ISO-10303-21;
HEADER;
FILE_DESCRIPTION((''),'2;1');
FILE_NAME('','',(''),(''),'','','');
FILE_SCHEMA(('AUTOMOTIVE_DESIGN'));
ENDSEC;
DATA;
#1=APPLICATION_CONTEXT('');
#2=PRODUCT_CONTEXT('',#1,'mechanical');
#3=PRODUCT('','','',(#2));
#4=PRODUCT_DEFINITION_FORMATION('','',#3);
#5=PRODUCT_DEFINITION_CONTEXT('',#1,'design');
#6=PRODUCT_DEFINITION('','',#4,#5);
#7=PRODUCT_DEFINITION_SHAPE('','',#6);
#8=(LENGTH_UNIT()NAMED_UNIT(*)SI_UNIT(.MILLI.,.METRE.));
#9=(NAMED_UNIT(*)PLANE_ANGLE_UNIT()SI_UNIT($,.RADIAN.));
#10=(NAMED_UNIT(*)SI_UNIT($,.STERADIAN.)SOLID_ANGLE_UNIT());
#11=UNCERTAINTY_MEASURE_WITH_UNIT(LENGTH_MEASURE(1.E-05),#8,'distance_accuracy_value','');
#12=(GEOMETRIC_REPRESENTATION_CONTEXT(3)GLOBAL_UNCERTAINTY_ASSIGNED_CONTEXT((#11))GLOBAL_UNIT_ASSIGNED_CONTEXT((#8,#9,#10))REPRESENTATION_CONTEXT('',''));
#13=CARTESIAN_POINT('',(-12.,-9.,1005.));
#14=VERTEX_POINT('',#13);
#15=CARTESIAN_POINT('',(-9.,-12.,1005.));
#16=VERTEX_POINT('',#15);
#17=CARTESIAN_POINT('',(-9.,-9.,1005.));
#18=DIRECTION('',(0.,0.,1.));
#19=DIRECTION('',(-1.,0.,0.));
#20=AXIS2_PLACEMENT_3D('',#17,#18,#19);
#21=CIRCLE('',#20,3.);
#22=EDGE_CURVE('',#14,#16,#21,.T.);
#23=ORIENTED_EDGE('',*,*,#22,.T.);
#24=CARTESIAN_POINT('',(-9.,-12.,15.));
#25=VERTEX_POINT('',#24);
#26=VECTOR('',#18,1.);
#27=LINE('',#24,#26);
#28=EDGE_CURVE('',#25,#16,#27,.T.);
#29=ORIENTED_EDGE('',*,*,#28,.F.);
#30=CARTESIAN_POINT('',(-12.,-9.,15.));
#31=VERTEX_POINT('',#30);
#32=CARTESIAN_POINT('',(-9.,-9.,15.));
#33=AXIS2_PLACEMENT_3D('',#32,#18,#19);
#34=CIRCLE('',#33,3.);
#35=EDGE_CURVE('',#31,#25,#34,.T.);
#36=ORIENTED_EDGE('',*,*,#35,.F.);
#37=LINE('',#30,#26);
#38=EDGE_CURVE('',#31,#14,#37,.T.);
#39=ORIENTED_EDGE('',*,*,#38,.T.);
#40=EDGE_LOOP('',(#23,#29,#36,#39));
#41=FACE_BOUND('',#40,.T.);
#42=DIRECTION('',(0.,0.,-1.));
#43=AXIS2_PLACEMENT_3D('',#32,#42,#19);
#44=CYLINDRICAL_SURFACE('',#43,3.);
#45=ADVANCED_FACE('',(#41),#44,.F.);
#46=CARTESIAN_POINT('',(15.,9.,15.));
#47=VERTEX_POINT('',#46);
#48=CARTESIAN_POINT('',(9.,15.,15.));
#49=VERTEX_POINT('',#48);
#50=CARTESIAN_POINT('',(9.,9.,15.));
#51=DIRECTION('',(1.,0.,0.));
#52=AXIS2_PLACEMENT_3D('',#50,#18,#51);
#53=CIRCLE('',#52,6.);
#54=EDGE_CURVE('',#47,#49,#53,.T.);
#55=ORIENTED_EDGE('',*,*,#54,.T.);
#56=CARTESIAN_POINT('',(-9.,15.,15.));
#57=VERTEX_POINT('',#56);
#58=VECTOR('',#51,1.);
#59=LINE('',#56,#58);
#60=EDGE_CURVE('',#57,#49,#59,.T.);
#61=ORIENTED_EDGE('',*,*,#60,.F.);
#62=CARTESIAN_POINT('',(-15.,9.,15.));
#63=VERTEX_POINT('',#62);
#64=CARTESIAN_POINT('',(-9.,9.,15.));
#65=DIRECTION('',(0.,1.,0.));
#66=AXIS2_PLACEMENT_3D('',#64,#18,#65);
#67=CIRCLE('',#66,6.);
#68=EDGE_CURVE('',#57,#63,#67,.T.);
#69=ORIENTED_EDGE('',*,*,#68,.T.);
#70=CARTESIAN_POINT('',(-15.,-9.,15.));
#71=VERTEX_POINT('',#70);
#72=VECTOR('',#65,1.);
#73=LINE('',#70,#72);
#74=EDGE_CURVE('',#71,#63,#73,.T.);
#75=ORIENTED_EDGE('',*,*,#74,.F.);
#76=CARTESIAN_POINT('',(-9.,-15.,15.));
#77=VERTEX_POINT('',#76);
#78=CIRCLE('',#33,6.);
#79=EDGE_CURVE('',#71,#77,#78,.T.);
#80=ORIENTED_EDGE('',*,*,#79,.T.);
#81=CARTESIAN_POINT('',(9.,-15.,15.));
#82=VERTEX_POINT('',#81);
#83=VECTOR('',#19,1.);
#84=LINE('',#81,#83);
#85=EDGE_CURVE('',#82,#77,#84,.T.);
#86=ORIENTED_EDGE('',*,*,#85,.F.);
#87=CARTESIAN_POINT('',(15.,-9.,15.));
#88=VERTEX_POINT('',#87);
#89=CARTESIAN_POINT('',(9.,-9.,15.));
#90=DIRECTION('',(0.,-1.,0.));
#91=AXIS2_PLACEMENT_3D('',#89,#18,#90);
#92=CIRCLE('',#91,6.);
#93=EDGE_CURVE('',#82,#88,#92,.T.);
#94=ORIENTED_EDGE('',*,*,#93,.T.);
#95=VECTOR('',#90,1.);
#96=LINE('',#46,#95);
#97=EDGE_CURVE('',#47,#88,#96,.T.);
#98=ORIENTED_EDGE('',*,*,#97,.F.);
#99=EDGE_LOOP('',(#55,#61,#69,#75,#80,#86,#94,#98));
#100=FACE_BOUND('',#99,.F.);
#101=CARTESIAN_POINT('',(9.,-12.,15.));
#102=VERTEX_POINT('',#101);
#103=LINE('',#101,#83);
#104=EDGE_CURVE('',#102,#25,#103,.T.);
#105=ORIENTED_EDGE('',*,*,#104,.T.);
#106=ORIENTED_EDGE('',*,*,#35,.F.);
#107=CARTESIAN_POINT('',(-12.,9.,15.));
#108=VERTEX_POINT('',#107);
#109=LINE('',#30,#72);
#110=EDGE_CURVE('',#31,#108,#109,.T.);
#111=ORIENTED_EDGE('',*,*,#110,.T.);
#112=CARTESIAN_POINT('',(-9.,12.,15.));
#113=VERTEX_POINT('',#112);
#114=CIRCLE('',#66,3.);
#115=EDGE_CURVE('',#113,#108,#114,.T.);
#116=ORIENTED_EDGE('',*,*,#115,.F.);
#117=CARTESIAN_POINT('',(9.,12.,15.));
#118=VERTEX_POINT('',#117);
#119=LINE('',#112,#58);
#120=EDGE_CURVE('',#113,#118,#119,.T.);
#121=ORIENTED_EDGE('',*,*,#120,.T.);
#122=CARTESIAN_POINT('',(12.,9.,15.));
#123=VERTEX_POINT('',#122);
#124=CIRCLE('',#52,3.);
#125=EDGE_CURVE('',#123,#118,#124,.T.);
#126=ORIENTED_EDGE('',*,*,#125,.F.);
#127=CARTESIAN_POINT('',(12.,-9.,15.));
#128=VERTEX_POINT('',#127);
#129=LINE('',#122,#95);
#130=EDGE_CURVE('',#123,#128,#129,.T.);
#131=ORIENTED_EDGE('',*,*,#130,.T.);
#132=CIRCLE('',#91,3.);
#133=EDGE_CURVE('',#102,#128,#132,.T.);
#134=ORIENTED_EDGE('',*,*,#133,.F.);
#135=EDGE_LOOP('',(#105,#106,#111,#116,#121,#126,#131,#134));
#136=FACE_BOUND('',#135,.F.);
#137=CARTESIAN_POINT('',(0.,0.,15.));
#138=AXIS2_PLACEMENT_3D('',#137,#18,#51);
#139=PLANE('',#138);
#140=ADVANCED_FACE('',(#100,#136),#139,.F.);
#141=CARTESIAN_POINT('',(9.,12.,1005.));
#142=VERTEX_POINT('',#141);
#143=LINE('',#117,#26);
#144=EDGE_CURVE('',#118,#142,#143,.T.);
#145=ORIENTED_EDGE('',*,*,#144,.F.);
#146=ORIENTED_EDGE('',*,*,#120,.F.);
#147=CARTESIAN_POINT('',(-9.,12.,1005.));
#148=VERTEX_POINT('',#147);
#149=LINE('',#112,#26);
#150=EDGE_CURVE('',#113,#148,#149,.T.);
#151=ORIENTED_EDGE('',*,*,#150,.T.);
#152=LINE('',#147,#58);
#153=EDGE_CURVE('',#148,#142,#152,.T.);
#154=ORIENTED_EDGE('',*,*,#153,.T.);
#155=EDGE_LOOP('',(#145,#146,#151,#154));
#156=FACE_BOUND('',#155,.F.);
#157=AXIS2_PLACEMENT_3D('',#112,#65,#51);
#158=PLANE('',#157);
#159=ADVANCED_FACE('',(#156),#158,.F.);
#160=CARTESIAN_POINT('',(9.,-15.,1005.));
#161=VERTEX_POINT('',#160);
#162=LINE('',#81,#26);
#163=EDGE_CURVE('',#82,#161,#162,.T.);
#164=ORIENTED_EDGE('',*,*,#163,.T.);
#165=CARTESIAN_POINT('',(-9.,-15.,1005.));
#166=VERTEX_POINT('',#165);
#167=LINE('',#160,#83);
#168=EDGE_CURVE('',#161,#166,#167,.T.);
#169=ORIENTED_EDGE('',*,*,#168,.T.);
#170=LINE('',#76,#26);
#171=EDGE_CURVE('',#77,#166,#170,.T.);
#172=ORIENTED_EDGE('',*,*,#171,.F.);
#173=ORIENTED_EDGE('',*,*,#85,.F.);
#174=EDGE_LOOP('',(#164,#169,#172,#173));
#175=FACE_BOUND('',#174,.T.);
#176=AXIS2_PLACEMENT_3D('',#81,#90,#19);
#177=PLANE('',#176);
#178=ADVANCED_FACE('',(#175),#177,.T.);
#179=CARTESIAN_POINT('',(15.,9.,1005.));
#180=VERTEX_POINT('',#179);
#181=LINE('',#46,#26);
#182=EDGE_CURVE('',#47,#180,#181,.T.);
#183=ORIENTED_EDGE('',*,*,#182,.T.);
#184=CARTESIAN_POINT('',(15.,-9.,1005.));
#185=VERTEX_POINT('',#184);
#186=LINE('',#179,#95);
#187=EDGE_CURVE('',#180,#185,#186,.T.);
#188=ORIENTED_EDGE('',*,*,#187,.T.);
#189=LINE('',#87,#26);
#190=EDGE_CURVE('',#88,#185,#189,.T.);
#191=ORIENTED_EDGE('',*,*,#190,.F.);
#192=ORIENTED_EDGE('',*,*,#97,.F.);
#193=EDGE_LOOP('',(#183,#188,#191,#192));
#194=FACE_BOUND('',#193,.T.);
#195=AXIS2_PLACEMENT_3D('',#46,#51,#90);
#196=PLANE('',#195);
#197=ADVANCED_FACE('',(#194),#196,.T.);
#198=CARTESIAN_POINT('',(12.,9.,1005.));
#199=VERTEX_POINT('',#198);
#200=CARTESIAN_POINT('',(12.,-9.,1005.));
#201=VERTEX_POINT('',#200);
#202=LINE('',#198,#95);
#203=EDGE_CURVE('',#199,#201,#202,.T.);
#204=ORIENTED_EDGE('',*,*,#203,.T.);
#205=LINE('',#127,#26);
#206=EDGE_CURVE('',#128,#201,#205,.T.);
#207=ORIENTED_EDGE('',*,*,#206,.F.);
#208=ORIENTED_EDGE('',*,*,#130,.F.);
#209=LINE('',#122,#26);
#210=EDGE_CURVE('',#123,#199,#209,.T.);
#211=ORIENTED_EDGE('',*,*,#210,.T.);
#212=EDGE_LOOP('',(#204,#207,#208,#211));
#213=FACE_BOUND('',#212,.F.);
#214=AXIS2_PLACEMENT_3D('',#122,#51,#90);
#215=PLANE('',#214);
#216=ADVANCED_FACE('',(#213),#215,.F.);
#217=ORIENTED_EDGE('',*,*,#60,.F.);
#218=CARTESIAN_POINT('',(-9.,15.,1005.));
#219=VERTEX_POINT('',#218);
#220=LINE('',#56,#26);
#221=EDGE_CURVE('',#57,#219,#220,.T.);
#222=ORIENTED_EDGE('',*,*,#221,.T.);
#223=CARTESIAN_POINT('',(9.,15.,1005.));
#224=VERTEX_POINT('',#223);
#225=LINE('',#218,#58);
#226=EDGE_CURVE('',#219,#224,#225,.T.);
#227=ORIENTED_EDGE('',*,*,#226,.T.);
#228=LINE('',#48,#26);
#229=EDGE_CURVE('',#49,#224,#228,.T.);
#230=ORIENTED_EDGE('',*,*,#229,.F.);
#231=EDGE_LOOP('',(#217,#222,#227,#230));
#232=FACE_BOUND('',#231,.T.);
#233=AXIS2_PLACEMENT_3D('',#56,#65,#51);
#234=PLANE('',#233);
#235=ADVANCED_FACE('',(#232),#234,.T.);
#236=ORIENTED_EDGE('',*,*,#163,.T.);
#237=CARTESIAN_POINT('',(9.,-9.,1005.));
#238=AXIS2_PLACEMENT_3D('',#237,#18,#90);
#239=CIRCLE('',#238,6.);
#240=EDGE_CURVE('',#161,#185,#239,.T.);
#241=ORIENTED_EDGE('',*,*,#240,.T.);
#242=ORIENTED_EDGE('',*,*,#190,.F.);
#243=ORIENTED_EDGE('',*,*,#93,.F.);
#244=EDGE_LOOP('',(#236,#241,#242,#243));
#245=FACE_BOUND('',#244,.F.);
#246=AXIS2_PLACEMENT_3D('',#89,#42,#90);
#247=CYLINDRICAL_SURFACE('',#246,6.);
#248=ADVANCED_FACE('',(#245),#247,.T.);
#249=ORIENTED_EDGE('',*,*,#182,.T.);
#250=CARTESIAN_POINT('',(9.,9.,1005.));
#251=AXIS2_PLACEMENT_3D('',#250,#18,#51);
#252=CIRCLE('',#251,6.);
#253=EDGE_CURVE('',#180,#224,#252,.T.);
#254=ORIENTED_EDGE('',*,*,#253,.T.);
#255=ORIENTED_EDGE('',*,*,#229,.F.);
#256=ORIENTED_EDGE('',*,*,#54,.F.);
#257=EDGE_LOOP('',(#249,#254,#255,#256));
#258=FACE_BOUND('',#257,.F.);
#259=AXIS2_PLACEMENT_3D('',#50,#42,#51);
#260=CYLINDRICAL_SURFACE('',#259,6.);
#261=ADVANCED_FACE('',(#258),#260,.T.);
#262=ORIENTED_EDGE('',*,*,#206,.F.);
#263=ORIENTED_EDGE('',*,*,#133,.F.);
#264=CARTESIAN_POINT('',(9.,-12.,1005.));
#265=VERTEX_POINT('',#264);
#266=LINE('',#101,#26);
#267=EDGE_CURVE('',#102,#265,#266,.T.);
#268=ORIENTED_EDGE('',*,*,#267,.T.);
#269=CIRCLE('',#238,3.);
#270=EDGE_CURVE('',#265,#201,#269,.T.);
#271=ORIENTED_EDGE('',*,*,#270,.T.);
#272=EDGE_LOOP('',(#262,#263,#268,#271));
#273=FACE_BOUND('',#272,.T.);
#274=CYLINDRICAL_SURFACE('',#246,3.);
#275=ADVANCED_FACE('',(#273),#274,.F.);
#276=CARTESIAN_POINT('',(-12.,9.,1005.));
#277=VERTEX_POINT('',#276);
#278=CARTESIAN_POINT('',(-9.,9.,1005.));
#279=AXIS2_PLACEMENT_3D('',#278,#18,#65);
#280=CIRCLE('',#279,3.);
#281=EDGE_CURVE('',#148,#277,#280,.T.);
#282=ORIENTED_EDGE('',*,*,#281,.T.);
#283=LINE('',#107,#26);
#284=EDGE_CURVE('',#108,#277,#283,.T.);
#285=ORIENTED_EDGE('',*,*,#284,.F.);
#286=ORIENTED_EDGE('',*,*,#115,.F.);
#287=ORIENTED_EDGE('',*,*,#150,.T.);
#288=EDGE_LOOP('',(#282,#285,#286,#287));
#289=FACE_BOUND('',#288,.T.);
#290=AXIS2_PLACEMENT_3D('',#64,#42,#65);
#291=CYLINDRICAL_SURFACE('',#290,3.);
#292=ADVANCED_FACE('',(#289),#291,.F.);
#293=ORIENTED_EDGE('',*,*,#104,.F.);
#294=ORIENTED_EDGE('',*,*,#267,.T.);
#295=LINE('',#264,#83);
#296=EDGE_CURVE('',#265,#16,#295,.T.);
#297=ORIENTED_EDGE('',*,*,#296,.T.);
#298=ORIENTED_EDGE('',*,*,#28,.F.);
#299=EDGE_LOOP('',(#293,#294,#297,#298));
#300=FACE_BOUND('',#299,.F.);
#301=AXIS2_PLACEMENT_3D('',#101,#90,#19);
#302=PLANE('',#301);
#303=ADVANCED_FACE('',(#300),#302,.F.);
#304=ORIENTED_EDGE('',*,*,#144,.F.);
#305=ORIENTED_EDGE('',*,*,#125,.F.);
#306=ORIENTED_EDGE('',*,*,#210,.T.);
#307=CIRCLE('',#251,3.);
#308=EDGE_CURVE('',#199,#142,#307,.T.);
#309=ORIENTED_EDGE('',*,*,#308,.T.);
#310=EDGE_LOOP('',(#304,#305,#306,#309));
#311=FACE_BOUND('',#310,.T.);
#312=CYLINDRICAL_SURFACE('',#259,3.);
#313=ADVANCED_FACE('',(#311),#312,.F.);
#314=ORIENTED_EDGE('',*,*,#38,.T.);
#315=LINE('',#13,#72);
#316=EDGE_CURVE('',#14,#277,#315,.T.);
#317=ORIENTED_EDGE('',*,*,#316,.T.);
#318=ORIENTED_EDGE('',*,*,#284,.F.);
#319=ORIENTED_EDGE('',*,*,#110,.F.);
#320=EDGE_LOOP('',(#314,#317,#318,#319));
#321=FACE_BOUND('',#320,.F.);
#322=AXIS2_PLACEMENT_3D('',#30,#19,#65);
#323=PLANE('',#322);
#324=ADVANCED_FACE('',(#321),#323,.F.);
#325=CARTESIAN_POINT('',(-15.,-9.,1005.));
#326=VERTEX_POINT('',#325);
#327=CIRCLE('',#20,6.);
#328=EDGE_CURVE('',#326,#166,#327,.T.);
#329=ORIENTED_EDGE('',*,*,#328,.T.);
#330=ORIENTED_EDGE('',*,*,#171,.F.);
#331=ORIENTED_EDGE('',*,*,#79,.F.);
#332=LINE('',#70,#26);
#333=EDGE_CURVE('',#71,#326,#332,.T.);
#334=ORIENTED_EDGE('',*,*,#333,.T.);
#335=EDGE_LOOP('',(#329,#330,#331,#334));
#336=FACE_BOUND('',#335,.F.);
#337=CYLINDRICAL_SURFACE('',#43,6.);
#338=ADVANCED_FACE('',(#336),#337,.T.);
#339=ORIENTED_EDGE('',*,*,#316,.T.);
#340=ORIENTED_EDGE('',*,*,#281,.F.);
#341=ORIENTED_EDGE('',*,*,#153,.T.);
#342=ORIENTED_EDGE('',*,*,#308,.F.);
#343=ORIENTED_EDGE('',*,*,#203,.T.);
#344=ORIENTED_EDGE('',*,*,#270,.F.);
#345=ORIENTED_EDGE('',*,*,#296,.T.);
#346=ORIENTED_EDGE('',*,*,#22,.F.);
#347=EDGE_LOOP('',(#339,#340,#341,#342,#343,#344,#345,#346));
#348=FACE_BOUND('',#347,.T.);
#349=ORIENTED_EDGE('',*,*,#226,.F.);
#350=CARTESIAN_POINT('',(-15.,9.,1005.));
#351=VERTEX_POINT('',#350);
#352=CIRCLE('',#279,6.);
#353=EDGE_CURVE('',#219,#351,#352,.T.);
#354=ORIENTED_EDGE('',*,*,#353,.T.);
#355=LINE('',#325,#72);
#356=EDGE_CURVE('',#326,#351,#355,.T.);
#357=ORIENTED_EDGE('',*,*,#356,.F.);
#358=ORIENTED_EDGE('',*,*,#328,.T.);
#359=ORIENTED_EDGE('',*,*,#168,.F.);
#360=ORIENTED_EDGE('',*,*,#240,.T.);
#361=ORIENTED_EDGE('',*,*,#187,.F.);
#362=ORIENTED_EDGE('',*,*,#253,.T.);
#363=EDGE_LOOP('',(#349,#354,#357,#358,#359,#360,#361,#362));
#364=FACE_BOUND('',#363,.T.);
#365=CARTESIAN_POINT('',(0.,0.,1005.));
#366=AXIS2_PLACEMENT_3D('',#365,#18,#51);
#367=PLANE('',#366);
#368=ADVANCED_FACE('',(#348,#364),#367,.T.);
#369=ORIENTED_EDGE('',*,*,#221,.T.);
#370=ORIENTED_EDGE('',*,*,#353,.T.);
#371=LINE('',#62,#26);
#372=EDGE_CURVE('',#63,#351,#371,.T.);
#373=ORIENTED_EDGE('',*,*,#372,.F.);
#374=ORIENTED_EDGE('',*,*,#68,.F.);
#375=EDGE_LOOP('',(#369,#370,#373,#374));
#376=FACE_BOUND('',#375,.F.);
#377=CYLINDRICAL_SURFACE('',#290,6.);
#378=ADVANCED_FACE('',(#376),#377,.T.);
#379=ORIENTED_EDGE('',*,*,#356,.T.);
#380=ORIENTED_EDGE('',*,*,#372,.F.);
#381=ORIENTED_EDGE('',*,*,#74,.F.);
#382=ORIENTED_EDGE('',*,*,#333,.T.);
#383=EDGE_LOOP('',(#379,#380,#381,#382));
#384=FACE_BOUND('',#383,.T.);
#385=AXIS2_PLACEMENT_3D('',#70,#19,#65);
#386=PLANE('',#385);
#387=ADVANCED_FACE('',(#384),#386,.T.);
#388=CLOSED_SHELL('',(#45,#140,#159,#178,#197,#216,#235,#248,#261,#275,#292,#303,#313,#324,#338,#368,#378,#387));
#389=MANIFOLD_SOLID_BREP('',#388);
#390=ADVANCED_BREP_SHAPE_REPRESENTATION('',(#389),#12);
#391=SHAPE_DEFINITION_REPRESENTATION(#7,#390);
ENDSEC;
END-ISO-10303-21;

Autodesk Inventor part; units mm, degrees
ref_plane "Start Plane" through (0, 0, 15) normal (0, 0, 1) x (1, 0, 0)
ref_plane "End Plane" through (0, 0, 1005) normal (0, 0, 1) x (1, 0, 0)
sketch "Sketch" plane through (0, 0, 0) normal (0, 0, 1) x (1, 0, 0)
  line L0 (-15, -9) -> (-15, 9)
  line L1 (-9, 15) -> (9, 15)
  line L2 (15, 9) -> (15, -9)
  line L3 (9, -15) -> (-9, -15)
  arc A0 (-15, -9) -> (-9, -15) centre (-9, -9) ccw
  arc A1 (-9, 15) -> (-15, 9) centre (-9, 9) ccw
  arc A2 (15, 9) -> (9, 15) centre (9, 9) ccw
  arc A3 (9, -15) -> (15, -9) centre (9, -9) ccw
  arc A4 (-9, 12) -> (-12, 9) centre (-9, 9) ccw
  line L4 (-9, 12) -> (9, 12)
  arc A5 (12, 9) -> (9, 12) centre (9, 9) ccw
  line L5 (12, 9) -> (12, -9)
  arc A6 (9, -12) -> (12, -9) centre (9, -9) ccw
  line L6 (9, -12) -> (-9, -12)
  arc A7 (-12, -9) -> (-9, -12) centre (-9, -9) ccw
  line L7 (-12, -9) -> (-12, 9)
  line L8 (0, 22.7397) -> (0, -22.7397) construction
  line L9 (-22.7397, 0) -> (22.7397, 0) construction
  dimension "d7" = 6
  dimension "d10" = 30
  dimension "d11" = 30
  dimension "d12" = 3
  dimension "d15" = 15
  dimension "d16" = 15
extrude "Body" add sketch "Sketch" along normal up to surface (990 mm away) from surface at 15
sketch "Sketch3" plane through (0, 0, 0) normal (0, 0, 1) x (1, 0, 0)
  line L0 (0, 0) -> (10, 0)
ref_plane "Work Plane3" through (0, 0, 0) normal (0, -1, 0) x (1, 0, 0)
ref_plane "Work Plane4" through (0, 9, 15) normal (0, 0, -1) x (-1, 0, 0)
split "Split1" plane through (0, 9, 15) removes the side toward (0, 0, -1)
ref_plane "Work Plane5" through (-9, -250, 1005) normal (0, 0, 1) x (1, 0, 0)
split "Split2" plane through (-9, -250, 1005) removes the side toward (0, 0, 1)
sketch "Sketch4" plane through (0, 0, 0) normal (0, -1, 0) x (1, 0, 0)
  line L0 (-2, 15) -> (12, 15) projected
  line L1 (-2, 1005) -> (12, 1005) projected
  dimension "d18" = 990
equation "\"d7\" = G_IR"
equation "\"d10\" = G_H"
equation "\"d11\" = G_W"
equation "\"d12\" = G_T"
equation "\"d15\" = 0.5 * d10"
equation "\"d16\" = 0.5 * d11"
equation "\"d3\" = G_L"
equation "\"G_W\" = 30"
equation "\"G_H\" = 30"
equation "\"G_T\" = 3"
equation "\"G_IR\" = 6"
equation "\"G_L\" = d18"
equation "\"G_OFFSET_START\" = -15"
equation "\"G_OFFSET_END\" = -15"
equation "\"d13\" = -G_OFFSET_START"
equation "\"d14\" = G_OFFSET_END + B_L"
equation "\"B_L\" = 1020"
properties part number "DIN EN 10219-2 - 30 x 30 x 3  - 990" material "Steel, Mild"
